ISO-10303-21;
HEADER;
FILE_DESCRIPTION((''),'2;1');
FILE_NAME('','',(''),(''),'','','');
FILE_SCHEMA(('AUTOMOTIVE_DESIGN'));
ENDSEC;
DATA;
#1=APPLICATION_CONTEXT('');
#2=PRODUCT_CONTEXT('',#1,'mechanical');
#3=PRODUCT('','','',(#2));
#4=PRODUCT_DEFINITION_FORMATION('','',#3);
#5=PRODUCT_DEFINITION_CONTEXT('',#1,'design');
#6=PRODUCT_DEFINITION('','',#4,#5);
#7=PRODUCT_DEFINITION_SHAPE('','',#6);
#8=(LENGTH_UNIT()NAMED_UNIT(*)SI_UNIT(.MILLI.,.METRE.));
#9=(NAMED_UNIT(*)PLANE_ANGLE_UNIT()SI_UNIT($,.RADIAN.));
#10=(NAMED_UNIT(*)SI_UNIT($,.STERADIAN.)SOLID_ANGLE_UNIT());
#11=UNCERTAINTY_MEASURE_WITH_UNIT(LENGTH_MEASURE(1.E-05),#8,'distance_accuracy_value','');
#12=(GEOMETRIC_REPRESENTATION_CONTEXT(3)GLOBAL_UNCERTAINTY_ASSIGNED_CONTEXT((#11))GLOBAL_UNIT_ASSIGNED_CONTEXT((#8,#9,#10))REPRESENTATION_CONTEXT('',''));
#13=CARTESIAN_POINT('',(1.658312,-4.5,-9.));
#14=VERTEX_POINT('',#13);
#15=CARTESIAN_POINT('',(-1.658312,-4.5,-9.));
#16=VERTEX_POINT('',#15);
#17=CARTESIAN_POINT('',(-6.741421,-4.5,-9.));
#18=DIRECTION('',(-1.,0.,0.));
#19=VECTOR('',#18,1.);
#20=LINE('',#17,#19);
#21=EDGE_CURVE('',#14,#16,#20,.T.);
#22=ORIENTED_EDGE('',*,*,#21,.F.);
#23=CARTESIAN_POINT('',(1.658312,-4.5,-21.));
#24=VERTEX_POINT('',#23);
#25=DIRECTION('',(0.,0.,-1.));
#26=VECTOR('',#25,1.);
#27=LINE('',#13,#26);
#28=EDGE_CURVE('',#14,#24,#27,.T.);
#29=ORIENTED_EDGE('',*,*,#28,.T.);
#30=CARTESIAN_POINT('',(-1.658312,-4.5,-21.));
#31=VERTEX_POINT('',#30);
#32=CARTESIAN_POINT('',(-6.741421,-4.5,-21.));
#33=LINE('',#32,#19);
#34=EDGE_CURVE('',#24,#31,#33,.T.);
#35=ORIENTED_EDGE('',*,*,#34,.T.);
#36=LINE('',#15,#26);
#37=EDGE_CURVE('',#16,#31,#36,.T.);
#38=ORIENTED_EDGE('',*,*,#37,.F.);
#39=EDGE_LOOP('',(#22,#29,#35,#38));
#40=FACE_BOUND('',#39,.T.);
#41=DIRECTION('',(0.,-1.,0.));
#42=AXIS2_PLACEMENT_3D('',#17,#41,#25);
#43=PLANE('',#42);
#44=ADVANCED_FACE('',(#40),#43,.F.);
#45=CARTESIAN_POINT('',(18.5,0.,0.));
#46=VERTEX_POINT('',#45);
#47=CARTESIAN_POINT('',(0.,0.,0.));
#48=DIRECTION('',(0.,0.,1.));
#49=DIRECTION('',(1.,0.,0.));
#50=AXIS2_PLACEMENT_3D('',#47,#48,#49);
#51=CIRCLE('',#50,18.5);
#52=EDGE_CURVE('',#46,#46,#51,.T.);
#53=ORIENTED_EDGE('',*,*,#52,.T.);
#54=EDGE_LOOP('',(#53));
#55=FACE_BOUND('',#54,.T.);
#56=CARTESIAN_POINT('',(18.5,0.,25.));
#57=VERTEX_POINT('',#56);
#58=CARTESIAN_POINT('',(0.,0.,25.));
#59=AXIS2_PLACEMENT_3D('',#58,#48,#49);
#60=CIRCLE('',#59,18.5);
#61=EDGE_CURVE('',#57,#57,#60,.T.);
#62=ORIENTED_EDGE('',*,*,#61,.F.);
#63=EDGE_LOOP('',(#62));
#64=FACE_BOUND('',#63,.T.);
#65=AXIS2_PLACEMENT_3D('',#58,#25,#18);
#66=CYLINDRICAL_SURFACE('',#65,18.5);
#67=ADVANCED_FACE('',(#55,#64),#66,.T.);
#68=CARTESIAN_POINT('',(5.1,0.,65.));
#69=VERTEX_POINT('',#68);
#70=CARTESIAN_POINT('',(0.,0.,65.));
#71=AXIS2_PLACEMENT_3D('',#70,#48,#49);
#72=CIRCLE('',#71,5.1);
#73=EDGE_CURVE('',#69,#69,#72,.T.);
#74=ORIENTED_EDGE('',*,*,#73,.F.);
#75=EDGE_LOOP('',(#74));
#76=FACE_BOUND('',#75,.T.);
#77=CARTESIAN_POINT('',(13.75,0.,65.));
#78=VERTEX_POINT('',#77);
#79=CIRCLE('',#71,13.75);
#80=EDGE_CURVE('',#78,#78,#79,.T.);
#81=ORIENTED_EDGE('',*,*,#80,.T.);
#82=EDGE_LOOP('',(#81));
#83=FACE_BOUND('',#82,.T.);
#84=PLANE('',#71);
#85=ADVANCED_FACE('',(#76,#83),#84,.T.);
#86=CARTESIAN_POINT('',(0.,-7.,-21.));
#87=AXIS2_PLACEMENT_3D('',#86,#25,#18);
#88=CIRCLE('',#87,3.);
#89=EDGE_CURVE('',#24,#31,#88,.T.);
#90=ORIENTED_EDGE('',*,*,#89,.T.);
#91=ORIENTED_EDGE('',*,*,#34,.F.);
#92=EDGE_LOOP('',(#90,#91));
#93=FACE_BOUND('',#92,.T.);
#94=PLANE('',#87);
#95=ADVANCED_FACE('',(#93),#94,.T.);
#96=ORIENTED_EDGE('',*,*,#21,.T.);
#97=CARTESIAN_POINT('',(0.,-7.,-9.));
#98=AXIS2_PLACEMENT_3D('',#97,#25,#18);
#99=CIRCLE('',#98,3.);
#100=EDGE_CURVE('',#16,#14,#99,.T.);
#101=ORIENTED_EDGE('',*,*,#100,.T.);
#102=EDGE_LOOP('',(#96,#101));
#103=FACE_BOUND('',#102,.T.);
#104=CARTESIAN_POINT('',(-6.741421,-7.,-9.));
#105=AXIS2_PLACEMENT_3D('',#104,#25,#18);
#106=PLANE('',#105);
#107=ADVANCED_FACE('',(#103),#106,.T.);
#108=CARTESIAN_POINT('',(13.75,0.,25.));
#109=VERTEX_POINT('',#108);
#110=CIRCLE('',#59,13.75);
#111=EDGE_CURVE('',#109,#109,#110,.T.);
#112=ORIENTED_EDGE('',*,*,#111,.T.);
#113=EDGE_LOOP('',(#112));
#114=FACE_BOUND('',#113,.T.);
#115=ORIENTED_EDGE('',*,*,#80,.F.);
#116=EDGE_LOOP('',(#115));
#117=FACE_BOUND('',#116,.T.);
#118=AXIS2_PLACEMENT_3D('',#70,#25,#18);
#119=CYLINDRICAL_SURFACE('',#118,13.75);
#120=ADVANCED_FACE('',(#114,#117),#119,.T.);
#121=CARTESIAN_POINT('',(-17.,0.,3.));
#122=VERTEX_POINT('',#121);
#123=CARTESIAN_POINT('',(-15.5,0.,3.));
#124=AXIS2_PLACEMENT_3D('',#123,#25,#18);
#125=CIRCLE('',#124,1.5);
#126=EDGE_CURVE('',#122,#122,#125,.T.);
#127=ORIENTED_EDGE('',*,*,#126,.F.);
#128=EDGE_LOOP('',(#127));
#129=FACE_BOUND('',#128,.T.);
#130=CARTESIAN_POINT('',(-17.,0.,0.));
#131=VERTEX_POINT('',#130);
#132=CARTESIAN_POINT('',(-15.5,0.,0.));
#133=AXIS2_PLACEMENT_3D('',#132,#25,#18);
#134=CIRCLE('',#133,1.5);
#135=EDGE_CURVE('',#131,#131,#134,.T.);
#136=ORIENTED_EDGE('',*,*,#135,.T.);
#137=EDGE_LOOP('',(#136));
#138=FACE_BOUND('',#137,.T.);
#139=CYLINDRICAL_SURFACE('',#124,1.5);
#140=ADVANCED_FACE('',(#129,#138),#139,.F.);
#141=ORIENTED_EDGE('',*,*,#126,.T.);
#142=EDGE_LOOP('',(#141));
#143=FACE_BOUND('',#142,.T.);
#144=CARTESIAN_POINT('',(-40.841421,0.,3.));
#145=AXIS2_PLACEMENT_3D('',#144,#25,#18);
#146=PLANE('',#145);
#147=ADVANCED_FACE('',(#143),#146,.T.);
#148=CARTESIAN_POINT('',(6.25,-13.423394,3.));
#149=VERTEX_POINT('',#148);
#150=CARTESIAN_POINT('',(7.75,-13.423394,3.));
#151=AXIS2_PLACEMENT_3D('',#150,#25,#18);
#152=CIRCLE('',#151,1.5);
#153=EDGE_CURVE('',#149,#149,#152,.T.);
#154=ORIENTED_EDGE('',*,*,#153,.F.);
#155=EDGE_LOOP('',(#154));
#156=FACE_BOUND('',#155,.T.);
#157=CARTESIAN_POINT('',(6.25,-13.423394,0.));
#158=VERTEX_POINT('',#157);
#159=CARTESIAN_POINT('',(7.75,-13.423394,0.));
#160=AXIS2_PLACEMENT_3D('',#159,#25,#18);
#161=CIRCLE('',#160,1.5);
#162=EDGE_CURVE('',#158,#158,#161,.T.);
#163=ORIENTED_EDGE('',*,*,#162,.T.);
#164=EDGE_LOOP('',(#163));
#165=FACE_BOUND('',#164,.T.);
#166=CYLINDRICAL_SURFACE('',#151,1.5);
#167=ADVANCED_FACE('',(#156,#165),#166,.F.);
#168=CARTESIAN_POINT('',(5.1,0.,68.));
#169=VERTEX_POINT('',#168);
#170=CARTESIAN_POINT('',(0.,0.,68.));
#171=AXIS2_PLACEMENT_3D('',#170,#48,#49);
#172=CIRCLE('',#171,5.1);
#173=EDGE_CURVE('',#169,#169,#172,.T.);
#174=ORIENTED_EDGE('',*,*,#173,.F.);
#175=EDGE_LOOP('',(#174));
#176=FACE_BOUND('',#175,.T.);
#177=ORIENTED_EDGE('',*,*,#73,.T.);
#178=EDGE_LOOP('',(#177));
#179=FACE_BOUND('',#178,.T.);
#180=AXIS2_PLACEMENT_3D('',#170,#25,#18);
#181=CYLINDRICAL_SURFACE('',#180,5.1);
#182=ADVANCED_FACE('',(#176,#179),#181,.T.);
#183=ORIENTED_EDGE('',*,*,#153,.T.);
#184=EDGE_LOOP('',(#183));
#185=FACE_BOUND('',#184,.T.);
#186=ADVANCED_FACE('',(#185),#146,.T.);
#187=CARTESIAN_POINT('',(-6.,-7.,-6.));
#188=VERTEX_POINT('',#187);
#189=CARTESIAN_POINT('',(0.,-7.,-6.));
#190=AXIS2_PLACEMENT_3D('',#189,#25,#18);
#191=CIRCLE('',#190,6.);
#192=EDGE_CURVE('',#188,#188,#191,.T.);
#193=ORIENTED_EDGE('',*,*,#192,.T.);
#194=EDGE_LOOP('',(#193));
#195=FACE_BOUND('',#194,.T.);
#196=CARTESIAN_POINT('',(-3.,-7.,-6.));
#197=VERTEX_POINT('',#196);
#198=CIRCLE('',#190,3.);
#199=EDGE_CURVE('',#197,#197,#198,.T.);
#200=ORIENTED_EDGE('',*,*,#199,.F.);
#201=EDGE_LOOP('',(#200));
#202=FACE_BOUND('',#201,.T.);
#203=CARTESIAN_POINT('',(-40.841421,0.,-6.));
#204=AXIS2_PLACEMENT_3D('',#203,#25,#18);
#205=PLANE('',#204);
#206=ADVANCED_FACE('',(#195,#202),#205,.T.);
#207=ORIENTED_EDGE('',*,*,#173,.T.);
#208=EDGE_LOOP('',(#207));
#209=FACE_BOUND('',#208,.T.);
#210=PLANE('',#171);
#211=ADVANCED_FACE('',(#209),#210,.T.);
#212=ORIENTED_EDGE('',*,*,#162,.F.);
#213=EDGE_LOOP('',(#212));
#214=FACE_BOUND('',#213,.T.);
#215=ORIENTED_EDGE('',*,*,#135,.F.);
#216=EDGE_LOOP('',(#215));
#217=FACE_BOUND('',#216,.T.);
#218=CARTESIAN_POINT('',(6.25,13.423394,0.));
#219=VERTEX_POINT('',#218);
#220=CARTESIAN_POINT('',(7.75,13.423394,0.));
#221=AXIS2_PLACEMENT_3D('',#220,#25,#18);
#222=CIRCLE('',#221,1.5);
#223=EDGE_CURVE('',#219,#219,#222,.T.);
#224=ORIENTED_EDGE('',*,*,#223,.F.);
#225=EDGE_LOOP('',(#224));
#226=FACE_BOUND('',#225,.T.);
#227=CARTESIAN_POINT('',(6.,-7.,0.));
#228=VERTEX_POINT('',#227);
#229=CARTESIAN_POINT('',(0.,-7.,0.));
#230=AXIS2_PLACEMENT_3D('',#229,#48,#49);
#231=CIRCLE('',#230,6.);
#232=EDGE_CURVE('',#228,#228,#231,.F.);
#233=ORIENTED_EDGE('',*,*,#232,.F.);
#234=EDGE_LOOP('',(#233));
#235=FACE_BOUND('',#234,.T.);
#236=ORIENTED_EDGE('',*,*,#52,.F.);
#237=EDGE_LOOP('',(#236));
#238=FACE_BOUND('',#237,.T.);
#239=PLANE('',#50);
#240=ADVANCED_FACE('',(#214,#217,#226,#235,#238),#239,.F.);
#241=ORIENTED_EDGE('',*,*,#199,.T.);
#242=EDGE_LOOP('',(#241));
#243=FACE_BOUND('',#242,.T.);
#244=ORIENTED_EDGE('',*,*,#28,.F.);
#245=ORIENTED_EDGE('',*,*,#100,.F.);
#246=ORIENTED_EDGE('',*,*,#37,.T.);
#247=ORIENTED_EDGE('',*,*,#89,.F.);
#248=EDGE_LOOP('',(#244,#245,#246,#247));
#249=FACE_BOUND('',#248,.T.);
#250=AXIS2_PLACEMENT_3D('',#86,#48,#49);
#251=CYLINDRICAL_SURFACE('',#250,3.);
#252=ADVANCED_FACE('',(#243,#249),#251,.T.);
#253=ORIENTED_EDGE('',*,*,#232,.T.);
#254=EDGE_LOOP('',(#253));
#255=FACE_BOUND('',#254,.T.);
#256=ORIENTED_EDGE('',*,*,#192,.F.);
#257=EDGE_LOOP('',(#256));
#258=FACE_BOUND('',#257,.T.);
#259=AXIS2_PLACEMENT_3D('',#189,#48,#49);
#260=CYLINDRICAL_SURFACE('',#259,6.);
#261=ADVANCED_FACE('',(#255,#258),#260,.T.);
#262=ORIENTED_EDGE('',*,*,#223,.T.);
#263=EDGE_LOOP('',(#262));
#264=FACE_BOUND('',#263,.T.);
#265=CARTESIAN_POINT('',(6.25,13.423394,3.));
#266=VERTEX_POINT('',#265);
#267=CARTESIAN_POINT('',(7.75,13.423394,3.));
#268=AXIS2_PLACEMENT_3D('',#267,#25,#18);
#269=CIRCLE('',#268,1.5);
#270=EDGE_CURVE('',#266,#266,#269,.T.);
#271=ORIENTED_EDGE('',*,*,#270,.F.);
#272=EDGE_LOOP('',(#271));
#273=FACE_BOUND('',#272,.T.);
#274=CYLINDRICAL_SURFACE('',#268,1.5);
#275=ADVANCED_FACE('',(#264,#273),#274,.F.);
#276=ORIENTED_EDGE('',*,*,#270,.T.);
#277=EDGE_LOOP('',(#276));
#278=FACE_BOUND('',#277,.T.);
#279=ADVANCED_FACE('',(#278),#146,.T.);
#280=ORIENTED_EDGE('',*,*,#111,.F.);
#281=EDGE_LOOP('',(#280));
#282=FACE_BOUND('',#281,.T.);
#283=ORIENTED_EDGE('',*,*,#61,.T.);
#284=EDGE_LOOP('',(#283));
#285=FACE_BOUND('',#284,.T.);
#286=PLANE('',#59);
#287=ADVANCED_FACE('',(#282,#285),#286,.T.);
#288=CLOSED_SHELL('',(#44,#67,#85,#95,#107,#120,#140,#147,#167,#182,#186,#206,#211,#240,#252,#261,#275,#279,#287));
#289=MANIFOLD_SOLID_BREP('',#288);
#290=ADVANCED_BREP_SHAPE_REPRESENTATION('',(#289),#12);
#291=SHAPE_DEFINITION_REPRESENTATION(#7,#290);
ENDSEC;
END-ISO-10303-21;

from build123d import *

# Parameters (mm, degrees)
SKETCH_1_R          = 18.5
EXTRUDE_1_DEPTH     = 25
SKETCH_3_R          = 13.75
EXTRUDE_2_DEPTH     = 40
SKETCH_4_R          = 1.5
CUT_EXTRUDE_1_DEPTH = 3
SKETCH_5_R          = 6
EXTRUDE_3_DEPTH     = 6
SKETCH_6_R          = 3
EXTRUDE_4_DEPTH     = 15
CUT_EXTRUDE_2_DEPTH = 12
SKETCH_8_R          = 5.1
EXTRUDE_5_DEPTH     = 3


with BuildPart() as part:
    # ｽｹｯﾁ1 → ﾎﾞｽ - 押し出し1 (new body)
    with BuildSketch(Plane.XY):
        Circle(SKETCH_1_R)
    extrude(amount=EXTRUDE_1_DEPTH)

    # ｽｹｯﾁ3 → ﾎﾞｽ - 押し出し2 (add)
    with BuildSketch(Plane.XY.offset(25)):
        Circle(SKETCH_3_R)
    extrude(amount=EXTRUDE_2_DEPTH)

    # ｽｹｯﾁ4 → ｶｯﾄ - 押し出し1 (cut)
    with BuildSketch(Plane(origin=(0, 0, 0), x_dir=(-1, 0, 0), z_dir=(0, 0, -1))):
        with Locations((-7.75, 13.423393759)):
            Circle(SKETCH_4_R)
        with Locations((-7.75, -13.423393759)):
            Circle(SKETCH_4_R)
        with Locations((15.5, 0)):
            Circle(SKETCH_4_R)
    extrude(amount=-CUT_EXTRUDE_1_DEPTH, mode=Mode.SUBTRACT)

    # ｽｹｯﾁ5 → ﾎﾞｽ - 押し出し3 (add)
    with BuildSketch(Plane(origin=(0, 0, 0), x_dir=(-1, 0, 0), z_dir=(0, 0, -1))):
        with Locations((0, -7)):
            Circle(SKETCH_5_R)
    extrude(amount=EXTRUDE_3_DEPTH)

    # ｽｹｯﾁ6 → ﾎﾞｽ - 押し出し4 (add)
    with BuildSketch(Plane(origin=(0, 0, -6), x_dir=(-1, 0, 0), z_dir=(0, 0, -1))):
        with Locations((0, -7)):
            Circle(SKETCH_6_R)
    extrude(amount=EXTRUDE_4_DEPTH)

    # ｽｹｯﾁ7 → ｶｯﾄ - 押し出し2 (cut)
    with BuildSketch(Plane(origin=(0, 0, -21), x_dir=(-1, 0, 0), z_dir=(0, 0, -1))):
        with BuildLine():
            ThreePointArc((1.658312395, -4.5), (0, -4), (-1.658312395, -4.5))
            Line((-1.658312395, -4.5), (1.658312395, -4.5))
        make_face()
    extrude(amount=-CUT_EXTRUDE_2_DEPTH, mode=Mode.SUBTRACT)

    # ｽｹｯﾁ8 → ﾎﾞｽ - 押し出し5 (add)
    with BuildSketch(Plane.XY.offset(65)):
        Circle(SKETCH_8_R)
    extrude(amount=EXTRUDE_5_DEPTH)


solid = part.part
